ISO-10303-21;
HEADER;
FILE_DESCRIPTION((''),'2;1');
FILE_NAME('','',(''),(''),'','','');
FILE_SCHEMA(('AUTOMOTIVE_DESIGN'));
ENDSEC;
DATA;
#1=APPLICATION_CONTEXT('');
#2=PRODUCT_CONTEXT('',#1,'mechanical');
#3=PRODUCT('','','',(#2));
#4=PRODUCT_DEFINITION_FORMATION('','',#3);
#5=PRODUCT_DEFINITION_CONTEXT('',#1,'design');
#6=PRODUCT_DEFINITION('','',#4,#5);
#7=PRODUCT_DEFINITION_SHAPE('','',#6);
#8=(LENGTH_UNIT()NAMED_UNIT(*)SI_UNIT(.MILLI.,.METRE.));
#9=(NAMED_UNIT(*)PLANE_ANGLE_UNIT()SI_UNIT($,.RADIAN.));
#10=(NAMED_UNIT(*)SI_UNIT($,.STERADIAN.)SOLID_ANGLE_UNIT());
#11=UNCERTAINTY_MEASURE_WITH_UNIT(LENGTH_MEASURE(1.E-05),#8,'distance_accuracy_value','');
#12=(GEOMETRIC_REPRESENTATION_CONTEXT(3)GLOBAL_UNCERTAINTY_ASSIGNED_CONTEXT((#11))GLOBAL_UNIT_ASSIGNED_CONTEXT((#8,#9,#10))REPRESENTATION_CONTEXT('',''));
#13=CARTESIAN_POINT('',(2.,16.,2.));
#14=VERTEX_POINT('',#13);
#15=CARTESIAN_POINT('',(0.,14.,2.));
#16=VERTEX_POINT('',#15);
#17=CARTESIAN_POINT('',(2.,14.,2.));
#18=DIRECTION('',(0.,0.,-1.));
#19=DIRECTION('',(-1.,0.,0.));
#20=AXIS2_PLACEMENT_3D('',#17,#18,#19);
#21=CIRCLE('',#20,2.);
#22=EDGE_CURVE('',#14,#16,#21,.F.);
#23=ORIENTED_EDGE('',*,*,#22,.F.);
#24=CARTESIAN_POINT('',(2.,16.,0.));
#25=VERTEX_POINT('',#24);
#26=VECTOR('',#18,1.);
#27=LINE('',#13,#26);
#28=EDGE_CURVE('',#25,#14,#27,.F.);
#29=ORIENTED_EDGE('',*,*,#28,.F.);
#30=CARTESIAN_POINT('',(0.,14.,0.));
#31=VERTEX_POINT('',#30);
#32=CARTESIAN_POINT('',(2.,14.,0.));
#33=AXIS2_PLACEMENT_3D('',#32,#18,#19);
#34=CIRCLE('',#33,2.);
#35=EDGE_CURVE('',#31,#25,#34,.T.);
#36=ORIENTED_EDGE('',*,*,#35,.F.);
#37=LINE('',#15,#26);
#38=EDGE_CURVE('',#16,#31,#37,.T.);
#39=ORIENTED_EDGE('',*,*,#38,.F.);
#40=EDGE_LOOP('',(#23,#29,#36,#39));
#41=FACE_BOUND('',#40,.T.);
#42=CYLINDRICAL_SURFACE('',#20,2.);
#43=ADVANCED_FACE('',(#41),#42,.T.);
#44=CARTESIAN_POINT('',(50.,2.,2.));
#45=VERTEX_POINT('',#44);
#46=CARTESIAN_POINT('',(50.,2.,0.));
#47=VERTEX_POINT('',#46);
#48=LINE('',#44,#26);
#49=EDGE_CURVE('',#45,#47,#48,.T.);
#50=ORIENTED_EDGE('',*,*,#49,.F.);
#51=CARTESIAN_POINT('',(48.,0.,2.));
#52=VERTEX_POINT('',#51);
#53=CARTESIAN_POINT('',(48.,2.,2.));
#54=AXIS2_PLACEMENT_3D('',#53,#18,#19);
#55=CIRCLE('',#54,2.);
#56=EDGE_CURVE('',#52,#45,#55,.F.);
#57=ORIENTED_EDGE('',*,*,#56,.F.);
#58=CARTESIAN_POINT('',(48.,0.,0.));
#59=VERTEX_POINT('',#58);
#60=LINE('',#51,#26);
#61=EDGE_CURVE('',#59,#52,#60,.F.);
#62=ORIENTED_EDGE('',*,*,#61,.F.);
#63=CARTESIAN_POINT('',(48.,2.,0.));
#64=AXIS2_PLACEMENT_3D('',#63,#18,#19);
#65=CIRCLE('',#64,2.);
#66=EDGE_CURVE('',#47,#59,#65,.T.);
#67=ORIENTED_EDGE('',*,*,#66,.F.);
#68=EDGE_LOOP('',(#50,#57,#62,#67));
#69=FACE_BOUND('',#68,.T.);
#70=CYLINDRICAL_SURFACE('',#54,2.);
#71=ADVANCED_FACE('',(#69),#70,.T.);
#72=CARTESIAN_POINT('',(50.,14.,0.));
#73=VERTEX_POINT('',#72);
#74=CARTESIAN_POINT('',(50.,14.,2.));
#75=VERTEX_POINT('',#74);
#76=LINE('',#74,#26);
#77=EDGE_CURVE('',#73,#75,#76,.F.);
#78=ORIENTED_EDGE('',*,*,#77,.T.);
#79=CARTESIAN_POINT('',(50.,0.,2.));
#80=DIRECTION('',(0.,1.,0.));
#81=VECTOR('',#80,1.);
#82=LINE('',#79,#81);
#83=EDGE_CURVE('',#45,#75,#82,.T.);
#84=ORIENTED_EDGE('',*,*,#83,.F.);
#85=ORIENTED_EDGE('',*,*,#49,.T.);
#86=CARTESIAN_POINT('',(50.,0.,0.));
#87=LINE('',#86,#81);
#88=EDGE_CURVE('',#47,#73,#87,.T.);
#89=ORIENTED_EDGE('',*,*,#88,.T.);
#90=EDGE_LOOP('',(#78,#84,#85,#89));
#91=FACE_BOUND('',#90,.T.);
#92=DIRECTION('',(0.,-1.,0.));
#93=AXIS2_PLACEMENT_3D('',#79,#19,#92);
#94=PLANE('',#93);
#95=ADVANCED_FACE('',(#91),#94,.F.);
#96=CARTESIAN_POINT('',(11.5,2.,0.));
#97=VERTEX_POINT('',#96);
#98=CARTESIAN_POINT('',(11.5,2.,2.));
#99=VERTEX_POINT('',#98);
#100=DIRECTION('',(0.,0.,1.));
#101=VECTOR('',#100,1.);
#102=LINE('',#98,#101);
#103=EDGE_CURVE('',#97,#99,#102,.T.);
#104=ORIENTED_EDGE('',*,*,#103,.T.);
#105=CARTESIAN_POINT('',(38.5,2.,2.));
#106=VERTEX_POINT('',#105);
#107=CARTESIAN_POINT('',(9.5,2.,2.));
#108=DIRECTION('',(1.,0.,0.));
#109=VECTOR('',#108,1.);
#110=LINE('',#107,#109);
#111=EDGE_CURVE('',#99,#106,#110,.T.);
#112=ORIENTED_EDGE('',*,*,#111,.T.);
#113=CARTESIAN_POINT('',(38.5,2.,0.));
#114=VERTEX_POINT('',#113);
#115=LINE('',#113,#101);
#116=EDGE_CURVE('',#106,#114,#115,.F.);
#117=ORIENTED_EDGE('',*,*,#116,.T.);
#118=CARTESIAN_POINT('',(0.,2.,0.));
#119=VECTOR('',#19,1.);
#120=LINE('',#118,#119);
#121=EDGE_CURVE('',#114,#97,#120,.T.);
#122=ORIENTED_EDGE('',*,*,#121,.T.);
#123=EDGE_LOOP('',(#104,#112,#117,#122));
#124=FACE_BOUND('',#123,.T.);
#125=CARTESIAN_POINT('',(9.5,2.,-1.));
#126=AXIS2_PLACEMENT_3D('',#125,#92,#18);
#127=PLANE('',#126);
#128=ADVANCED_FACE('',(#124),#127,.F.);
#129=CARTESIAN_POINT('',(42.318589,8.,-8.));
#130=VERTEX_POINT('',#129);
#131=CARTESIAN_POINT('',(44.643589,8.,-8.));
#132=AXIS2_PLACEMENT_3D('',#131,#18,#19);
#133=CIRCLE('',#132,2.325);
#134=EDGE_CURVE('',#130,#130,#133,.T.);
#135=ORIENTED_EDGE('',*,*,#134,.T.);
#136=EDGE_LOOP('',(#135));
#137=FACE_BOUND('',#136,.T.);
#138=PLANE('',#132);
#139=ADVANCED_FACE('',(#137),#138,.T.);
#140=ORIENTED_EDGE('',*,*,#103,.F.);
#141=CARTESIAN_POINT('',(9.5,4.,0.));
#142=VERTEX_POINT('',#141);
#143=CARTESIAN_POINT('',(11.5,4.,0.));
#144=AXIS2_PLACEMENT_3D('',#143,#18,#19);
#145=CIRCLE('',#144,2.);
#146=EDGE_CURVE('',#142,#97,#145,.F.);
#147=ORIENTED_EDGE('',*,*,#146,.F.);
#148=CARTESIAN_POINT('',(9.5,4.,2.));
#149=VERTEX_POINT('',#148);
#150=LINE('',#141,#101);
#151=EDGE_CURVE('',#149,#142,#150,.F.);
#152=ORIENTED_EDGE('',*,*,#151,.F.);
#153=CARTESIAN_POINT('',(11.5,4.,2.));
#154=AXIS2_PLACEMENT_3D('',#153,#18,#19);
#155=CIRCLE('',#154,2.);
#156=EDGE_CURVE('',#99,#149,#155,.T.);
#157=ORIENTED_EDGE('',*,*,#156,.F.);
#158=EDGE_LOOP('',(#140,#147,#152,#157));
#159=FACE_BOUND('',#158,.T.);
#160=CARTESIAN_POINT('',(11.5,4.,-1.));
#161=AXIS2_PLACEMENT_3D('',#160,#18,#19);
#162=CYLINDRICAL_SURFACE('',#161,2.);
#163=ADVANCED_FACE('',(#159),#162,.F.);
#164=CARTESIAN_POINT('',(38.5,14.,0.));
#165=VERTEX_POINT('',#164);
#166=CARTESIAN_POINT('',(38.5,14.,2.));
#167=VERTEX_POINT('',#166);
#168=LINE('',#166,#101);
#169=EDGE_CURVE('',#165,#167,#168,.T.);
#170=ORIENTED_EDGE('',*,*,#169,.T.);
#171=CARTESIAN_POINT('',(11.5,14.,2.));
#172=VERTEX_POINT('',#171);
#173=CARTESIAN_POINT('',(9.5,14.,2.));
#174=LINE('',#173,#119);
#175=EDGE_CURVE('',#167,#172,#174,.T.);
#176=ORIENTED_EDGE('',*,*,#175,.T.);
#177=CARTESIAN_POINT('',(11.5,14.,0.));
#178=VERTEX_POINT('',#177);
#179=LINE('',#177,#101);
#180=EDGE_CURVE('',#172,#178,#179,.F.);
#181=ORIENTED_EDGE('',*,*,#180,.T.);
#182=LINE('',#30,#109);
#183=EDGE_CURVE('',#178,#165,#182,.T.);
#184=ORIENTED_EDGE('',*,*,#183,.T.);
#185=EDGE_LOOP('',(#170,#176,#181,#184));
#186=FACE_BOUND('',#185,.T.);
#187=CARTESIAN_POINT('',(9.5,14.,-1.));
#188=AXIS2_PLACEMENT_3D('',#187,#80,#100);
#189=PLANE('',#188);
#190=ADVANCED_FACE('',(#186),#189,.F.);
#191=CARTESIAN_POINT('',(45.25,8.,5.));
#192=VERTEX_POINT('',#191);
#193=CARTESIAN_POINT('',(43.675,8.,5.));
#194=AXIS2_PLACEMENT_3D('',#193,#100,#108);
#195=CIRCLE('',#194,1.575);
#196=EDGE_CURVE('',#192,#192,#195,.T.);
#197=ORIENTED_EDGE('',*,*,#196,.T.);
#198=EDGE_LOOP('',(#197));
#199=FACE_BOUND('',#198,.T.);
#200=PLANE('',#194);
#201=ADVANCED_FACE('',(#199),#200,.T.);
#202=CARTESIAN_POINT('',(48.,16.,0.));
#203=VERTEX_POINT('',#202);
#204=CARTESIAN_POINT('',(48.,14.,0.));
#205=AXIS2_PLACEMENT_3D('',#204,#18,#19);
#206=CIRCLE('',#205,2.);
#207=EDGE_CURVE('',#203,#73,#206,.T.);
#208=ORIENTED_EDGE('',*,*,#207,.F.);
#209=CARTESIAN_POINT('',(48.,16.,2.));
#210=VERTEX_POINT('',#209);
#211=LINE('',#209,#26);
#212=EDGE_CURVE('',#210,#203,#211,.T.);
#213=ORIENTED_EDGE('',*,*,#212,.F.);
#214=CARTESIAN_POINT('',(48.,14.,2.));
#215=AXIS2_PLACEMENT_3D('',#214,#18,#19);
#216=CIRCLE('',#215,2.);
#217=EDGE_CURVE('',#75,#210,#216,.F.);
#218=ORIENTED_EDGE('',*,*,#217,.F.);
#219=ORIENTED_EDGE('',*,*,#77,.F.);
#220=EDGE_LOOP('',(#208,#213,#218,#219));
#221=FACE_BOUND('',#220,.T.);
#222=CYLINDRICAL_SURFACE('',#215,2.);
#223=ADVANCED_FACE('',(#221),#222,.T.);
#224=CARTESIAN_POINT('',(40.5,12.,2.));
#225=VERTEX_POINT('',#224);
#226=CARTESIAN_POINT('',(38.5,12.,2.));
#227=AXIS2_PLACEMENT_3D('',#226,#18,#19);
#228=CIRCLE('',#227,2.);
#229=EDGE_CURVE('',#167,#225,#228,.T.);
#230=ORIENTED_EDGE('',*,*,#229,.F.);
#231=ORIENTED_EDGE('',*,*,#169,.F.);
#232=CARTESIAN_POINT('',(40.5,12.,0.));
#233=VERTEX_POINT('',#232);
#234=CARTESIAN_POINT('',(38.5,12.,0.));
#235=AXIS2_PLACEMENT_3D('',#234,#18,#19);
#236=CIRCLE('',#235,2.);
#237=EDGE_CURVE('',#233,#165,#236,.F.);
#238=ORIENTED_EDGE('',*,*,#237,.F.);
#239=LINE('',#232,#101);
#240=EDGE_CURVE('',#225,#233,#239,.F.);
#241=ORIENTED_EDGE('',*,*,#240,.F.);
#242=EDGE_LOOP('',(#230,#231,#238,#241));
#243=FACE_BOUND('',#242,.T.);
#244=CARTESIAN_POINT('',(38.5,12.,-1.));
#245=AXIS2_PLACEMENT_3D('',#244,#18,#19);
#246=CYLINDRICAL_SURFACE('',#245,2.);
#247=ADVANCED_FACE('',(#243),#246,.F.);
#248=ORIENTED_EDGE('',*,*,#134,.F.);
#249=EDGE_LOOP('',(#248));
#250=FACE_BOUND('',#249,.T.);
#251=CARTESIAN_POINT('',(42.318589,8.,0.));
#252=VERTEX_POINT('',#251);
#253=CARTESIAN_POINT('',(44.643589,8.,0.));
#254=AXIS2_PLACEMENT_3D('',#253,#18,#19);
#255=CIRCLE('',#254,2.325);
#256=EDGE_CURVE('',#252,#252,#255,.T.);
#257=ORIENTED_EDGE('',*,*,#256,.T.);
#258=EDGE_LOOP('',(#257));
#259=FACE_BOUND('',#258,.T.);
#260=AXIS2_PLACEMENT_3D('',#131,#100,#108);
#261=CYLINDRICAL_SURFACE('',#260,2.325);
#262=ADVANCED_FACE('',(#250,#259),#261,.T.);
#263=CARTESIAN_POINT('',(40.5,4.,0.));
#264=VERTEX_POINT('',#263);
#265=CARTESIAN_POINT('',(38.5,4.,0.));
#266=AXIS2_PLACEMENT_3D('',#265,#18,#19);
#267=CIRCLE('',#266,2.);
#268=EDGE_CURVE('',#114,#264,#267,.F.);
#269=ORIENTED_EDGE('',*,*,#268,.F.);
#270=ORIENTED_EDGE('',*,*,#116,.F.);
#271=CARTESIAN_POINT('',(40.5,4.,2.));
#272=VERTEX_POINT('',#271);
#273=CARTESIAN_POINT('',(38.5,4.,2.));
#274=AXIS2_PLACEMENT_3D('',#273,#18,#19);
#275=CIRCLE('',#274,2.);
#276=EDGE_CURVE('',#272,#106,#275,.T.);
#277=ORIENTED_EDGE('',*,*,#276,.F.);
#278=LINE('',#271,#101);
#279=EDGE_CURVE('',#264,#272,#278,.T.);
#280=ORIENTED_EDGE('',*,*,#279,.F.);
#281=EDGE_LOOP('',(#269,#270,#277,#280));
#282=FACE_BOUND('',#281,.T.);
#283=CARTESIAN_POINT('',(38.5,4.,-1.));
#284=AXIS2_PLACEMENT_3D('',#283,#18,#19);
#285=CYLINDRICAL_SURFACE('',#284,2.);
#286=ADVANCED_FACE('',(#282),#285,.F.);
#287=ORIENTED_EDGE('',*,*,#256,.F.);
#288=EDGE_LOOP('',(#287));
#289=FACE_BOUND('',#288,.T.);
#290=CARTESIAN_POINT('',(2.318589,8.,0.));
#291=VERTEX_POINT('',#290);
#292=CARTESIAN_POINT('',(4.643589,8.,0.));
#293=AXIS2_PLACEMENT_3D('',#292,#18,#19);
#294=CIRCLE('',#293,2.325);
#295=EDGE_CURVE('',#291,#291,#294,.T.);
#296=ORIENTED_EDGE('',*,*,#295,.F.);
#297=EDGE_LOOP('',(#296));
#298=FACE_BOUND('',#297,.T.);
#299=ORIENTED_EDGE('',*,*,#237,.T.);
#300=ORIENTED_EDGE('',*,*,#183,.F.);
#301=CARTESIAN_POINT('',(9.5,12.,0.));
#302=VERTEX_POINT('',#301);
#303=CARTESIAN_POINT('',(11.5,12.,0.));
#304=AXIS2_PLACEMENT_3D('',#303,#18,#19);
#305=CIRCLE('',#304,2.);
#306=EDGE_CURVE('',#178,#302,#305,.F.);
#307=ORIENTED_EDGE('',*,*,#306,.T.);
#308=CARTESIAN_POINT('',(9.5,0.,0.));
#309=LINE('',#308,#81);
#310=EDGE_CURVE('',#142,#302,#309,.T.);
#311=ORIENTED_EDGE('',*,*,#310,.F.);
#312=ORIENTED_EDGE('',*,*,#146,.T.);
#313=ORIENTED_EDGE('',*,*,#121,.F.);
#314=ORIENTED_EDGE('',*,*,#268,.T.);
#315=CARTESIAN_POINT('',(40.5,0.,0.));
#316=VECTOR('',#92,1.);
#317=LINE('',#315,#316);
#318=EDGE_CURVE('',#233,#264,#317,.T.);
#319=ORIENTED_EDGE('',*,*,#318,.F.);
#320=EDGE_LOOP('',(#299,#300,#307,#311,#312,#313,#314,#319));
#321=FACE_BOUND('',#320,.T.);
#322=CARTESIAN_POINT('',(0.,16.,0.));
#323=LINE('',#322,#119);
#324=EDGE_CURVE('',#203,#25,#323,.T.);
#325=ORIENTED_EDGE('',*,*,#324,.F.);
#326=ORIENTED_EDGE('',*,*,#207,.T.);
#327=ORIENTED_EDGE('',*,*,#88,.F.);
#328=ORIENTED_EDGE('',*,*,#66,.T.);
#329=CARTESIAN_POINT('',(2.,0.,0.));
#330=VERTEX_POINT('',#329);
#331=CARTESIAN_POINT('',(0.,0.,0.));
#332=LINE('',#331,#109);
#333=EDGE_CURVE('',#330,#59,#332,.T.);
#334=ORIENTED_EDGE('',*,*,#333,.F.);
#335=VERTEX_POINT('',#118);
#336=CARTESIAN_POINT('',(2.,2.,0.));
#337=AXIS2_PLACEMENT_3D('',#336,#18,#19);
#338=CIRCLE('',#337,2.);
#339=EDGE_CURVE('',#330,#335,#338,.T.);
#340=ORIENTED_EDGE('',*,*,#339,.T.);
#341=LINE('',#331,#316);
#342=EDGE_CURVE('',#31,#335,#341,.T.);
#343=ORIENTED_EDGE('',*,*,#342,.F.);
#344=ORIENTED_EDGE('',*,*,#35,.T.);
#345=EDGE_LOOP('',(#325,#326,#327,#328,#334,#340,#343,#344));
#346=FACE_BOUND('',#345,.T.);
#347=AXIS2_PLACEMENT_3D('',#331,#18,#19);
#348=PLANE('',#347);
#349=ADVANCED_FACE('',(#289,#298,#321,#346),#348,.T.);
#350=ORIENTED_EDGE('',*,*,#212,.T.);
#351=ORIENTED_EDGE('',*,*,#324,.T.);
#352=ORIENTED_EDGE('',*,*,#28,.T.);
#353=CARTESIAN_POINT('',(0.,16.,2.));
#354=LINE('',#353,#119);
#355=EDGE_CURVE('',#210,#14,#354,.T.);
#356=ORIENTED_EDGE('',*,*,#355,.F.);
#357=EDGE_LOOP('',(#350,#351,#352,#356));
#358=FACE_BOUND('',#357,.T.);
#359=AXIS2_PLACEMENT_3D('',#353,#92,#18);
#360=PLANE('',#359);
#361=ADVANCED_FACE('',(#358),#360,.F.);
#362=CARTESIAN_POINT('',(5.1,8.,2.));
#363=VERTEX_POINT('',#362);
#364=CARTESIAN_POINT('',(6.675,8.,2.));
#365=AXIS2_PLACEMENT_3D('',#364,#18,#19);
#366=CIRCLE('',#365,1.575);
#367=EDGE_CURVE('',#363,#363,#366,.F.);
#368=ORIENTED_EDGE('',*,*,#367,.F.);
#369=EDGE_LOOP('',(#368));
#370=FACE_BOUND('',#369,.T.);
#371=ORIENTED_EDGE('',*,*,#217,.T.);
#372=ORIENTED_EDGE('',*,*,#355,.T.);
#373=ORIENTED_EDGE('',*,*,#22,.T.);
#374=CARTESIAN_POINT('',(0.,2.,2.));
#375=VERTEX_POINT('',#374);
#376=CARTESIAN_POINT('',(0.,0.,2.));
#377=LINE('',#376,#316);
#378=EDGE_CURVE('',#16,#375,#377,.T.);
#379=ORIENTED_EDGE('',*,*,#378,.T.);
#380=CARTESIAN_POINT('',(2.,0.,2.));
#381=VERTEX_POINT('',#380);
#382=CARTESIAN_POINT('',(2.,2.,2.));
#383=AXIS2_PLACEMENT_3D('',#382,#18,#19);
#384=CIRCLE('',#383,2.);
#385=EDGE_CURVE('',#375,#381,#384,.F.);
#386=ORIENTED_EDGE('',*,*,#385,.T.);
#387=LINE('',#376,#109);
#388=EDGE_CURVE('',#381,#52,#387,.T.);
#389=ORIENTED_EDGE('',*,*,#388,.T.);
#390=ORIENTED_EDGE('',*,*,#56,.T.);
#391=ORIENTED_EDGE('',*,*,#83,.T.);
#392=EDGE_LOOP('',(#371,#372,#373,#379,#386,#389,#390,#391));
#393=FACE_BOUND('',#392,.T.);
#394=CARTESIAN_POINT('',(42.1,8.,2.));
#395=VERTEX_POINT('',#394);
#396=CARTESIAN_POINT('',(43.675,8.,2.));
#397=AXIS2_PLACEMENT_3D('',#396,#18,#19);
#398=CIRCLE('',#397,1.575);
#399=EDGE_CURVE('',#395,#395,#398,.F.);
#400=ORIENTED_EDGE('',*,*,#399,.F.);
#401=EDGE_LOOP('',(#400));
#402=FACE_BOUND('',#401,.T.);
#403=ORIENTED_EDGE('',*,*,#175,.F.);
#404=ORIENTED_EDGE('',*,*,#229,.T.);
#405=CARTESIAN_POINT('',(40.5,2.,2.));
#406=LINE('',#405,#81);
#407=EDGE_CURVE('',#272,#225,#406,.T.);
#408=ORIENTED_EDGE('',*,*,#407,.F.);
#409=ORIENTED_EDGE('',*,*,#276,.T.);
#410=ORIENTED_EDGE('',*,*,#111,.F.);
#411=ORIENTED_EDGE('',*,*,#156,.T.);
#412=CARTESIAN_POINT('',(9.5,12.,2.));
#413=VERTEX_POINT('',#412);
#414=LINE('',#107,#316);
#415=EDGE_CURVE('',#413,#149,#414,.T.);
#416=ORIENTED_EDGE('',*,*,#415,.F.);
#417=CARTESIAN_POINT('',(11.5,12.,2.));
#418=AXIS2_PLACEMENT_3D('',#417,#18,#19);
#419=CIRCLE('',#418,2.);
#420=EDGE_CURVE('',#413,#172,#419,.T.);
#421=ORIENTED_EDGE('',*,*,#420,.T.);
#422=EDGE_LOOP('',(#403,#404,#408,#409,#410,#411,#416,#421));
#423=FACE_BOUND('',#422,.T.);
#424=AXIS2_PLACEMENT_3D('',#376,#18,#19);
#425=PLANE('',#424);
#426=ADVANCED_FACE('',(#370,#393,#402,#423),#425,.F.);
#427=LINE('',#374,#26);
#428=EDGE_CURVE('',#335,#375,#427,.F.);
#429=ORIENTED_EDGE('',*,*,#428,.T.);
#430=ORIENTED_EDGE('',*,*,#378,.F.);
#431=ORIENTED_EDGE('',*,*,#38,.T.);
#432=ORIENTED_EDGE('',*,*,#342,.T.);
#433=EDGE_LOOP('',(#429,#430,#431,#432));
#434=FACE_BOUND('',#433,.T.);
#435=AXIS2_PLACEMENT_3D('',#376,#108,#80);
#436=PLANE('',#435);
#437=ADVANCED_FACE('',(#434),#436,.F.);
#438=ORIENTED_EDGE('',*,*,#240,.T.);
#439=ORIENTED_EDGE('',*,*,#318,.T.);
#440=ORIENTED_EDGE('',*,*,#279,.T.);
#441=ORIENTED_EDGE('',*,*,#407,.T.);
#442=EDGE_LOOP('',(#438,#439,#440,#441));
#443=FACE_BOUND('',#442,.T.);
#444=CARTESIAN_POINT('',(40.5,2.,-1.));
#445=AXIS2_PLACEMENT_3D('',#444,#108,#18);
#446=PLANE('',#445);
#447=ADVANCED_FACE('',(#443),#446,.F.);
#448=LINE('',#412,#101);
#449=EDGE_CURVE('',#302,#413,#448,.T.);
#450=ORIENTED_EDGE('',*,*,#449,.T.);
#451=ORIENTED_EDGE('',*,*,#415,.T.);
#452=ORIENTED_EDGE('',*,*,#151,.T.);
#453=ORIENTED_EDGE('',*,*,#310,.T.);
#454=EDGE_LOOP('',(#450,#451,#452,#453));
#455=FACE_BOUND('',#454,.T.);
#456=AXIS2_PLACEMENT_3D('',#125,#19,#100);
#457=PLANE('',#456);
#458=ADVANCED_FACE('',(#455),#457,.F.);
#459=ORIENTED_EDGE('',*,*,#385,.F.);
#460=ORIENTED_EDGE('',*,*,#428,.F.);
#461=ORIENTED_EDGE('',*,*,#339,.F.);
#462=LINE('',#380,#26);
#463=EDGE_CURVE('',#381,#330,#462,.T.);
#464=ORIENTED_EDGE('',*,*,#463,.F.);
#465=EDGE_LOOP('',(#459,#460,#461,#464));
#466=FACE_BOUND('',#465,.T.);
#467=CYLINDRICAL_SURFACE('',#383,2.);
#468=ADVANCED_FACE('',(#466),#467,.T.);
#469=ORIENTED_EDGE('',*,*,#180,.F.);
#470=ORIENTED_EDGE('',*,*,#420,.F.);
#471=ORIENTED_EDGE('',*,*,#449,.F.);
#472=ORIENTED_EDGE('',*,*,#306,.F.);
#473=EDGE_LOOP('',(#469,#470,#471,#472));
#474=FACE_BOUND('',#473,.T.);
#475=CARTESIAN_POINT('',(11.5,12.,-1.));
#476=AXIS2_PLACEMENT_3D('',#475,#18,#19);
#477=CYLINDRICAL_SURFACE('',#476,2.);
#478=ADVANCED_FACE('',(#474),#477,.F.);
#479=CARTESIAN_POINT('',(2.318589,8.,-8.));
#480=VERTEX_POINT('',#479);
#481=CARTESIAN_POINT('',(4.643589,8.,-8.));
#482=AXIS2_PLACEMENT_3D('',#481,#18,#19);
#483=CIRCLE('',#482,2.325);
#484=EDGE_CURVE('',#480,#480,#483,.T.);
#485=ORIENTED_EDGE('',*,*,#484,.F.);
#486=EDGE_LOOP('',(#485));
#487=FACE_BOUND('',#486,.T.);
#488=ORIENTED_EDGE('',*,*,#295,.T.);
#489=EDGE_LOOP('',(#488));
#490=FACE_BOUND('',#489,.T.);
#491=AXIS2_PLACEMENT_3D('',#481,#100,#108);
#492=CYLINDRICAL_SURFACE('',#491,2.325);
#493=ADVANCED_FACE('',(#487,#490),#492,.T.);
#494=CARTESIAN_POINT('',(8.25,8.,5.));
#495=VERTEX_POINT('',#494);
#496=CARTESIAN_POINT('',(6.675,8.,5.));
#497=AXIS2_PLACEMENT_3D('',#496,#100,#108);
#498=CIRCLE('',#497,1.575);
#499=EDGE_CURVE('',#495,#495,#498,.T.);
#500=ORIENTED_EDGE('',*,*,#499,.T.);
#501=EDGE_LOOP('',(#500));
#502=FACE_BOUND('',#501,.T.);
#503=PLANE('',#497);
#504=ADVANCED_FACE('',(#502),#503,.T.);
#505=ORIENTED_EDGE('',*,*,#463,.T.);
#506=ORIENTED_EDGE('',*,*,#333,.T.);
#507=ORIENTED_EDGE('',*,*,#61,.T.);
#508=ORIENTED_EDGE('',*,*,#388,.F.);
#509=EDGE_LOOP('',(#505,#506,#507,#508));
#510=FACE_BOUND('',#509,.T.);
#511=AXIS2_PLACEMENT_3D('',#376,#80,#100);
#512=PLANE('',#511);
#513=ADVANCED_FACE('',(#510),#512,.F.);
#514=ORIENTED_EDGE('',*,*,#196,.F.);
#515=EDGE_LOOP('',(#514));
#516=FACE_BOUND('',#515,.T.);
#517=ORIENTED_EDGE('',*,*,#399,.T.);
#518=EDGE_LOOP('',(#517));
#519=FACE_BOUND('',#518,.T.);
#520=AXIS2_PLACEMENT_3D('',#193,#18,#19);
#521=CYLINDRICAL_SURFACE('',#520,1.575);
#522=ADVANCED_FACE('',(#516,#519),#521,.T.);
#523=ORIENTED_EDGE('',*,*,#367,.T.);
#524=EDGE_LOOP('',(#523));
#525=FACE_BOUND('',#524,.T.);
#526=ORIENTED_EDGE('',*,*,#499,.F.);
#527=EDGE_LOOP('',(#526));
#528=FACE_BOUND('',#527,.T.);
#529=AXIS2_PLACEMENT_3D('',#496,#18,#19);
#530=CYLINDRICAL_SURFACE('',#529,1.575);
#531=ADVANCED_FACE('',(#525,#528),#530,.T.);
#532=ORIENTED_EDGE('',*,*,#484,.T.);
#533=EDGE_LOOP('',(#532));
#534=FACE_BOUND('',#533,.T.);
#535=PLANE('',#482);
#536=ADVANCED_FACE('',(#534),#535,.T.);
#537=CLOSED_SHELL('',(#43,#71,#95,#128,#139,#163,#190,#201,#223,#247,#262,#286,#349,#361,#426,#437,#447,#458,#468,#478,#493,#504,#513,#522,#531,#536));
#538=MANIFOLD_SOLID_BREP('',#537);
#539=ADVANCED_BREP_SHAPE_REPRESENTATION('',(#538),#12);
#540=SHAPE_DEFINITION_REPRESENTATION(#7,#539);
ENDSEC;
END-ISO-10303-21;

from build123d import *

# Parameters (mm, degrees)
SKETCH1_W           = 50
SKETCH1_H           = 16
BOSS_EXTRUDE1_DEPTH = 2
SKETCH2_R           = 1.575
BOSS_EXTRUDE2_DEPTH = 3
SKETCH3_W           = 31
SKETCH3_H           = 12
CUT_EXTRUDE1_DEPTH  = 3
FILLET1_R           = 2
FILLET2_R           = 2
SKETCH4_R           = 2.325
BOSS_EXTRUDE3_DEPTH = 8


with BuildPart() as part:
    # Sketch1 → Boss-Extrude1 (new body)
    with BuildSketch(Plane.XY):
        with Locations((25, 8)):
            Rectangle(SKETCH1_W, SKETCH1_H)
    extrude(amount=BOSS_EXTRUDE1_DEPTH)

    # Sketch2 → Boss-Extrude2 (add)
    with BuildSketch(Plane.XY.offset(2)):
        with Locations(Location((6.675, 8, 0), (0, 0, 180))):
            Circle(SKETCH2_R)
        with Locations(Location((43.675, 8, 0), (0, 0, 180))):
            Circle(SKETCH2_R)
    extrude(amount=BOSS_EXTRUDE2_DEPTH)

    # Sketch3 → Cut-Extrude1 (cut)
    with BuildSketch(Plane.XY.offset(2)):
        with Locations((25, 8)):
            Rectangle(SKETCH3_W, SKETCH3_H)
    extrude(amount=-CUT_EXTRUDE1_DEPTH, mode=Mode.SUBTRACT)

    # Fillet1
    fillet1_edges = [part.edges().sort_by_distance(p)[0] for p in [
        (9.5, 2, 1),
        (9.5, 14, 1),
        (40.5, 14, 1),
        (40.5, 2, 1),
    ]]
    fillet(fillet1_edges, radius=FILLET1_R)

    # Fillet2
    fillet2_edges = [part.edges().sort_by_distance(p)[0] for p in [
        (0, 16, 1),
        (50, 16, 1),
        (50, 0, 1),
        (0, 0, 1),
    ]]
    fillet(fillet2_edges, radius=FILLET2_R)

    # Sketch4 → Boss-Extrude3 (add)
    with BuildSketch(Plane(origin=(0, 0, 0), x_dir=(-1, 0, 0), z_dir=(0, 0, -1))):
        with Locations((-44.643589023, 8)):
            Circle(SKETCH4_R)
        with Locations((-4.643589023, 8)):
            Circle(SKETCH4_R)
    extrude(amount=BOSS_EXTRUDE3_DEPTH)


solid = part.part
